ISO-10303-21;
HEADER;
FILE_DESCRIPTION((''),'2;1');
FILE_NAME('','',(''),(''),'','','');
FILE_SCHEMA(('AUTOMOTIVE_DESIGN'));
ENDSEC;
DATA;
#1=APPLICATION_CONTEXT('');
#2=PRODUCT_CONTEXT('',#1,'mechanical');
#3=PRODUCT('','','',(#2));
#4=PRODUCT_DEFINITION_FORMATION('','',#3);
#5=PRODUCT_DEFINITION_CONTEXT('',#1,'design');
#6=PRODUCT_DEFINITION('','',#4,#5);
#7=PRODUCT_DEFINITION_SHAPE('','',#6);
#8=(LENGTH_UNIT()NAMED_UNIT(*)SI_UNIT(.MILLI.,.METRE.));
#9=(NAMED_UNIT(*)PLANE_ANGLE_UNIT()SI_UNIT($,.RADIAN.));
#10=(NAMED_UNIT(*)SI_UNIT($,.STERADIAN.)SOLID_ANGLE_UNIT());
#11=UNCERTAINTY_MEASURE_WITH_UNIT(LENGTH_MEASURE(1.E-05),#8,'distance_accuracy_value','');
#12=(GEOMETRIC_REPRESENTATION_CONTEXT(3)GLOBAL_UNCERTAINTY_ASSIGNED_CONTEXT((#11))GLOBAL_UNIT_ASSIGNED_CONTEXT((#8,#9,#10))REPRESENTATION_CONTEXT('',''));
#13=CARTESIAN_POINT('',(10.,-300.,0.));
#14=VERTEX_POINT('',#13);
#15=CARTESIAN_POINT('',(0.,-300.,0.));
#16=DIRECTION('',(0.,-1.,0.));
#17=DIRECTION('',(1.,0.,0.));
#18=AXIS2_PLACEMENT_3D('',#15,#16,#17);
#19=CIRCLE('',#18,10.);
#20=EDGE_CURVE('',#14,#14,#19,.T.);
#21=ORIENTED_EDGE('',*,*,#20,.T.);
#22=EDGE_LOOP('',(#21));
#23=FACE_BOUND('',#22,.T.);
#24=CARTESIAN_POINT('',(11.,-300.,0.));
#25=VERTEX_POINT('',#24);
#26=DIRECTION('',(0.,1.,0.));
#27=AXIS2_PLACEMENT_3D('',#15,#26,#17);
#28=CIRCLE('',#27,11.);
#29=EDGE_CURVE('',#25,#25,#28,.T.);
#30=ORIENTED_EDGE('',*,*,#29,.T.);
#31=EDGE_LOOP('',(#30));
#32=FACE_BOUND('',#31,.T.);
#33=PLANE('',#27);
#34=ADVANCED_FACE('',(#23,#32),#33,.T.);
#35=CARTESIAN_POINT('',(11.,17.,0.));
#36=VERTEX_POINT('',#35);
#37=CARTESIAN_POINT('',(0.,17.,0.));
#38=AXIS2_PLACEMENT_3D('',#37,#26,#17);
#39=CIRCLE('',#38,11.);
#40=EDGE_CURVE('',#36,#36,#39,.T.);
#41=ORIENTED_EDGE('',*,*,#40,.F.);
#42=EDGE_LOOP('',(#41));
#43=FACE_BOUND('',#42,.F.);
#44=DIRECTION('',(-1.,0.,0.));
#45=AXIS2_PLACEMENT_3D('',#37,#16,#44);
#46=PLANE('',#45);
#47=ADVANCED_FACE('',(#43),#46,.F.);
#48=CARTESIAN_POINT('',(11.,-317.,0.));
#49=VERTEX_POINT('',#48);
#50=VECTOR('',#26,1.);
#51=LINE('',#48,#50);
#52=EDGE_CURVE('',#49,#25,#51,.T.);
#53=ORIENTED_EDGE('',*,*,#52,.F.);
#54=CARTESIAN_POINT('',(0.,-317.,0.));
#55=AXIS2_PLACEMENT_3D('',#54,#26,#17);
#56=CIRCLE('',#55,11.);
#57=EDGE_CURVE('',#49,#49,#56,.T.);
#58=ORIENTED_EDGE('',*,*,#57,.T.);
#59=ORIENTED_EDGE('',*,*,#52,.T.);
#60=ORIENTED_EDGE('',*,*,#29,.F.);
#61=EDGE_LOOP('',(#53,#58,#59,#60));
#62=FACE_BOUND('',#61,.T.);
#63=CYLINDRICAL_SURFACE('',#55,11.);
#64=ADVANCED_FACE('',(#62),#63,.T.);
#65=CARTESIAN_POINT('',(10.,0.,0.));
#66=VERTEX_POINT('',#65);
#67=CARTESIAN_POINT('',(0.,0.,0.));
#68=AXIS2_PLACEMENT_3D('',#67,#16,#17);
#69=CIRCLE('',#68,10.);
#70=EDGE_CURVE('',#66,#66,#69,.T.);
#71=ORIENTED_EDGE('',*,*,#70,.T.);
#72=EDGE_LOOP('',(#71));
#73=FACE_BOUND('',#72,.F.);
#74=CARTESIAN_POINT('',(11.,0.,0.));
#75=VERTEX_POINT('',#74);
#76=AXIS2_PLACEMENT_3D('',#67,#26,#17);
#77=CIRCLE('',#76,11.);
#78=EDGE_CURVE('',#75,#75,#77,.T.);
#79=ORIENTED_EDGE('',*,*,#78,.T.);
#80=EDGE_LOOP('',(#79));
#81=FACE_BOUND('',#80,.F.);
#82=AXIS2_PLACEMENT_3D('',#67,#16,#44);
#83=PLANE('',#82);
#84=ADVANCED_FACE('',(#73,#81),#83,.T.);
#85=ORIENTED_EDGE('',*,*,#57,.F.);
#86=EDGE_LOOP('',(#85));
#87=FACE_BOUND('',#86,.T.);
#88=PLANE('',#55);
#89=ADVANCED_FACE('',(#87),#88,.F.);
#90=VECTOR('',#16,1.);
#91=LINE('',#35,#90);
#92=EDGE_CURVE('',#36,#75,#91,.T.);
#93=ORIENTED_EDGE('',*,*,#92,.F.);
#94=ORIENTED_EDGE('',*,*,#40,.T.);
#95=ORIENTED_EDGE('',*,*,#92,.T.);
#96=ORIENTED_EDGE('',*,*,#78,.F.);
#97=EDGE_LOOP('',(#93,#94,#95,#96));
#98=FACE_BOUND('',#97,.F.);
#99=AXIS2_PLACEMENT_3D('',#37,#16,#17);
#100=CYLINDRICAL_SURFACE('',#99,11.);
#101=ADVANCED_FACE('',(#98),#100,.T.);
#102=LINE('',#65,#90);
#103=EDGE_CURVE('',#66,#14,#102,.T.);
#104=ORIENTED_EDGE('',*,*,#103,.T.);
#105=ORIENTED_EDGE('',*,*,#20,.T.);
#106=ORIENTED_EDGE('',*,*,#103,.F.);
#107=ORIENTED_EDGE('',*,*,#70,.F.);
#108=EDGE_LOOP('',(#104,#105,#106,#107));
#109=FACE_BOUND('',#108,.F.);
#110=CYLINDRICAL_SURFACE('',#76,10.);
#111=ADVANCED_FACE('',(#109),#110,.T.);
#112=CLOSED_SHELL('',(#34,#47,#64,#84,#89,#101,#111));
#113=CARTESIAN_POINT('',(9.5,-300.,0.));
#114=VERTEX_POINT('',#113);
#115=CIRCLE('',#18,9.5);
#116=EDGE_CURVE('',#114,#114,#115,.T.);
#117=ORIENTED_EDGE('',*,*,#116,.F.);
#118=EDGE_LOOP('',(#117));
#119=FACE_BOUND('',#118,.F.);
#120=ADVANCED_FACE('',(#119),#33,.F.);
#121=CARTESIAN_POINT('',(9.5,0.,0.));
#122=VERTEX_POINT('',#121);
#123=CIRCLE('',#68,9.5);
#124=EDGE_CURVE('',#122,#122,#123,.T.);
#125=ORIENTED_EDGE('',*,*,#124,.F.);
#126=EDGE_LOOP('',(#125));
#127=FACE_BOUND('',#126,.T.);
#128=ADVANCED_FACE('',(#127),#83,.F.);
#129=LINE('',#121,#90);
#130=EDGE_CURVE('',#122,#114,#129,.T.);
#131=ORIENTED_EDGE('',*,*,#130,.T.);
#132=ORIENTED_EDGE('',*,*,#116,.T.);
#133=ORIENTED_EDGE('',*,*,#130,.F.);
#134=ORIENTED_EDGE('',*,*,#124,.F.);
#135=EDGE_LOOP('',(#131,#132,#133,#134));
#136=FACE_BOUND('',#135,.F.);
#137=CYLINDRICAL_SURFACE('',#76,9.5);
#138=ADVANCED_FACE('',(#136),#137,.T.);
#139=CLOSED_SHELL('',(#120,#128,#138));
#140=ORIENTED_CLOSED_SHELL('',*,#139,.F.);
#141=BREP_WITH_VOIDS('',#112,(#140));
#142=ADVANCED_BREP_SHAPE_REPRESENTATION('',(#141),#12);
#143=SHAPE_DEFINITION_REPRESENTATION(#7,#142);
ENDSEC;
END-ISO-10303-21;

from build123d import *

# Parameters (mm, degrees)
F0_R     = 10
F0_R_2   = 9.5
F1_DEPTH = 300


with BuildPart() as f1:
    # F0 (on Front) → F1 (new body)
    with BuildSketch(Plane.XZ):
        Circle(F0_R)
        Circle(F0_R_2, mode=Mode.SUBTRACT)
    extrude(amount=F1_DEPTH)

    # F2 (on Top) → F3 (revolve)
    with BuildSketch(Plane.XY):
        Polygon((11, -300), (0, -300), (0, -317), (1.930615992, -317), (11, -317), align=None)
    revolve(axis=Axis((0, -515.2761181587, 0), (0, 1, 0)))

    # F5: F1 across plane


with BuildPart() as f1_1:
    add(f1.part)
    add(f1.part.mirror(Plane(origin=(0, -150, 0), x_dir=(1, 0, 0), z_dir=(0, 1, 0))))


solid = f1_1.part
